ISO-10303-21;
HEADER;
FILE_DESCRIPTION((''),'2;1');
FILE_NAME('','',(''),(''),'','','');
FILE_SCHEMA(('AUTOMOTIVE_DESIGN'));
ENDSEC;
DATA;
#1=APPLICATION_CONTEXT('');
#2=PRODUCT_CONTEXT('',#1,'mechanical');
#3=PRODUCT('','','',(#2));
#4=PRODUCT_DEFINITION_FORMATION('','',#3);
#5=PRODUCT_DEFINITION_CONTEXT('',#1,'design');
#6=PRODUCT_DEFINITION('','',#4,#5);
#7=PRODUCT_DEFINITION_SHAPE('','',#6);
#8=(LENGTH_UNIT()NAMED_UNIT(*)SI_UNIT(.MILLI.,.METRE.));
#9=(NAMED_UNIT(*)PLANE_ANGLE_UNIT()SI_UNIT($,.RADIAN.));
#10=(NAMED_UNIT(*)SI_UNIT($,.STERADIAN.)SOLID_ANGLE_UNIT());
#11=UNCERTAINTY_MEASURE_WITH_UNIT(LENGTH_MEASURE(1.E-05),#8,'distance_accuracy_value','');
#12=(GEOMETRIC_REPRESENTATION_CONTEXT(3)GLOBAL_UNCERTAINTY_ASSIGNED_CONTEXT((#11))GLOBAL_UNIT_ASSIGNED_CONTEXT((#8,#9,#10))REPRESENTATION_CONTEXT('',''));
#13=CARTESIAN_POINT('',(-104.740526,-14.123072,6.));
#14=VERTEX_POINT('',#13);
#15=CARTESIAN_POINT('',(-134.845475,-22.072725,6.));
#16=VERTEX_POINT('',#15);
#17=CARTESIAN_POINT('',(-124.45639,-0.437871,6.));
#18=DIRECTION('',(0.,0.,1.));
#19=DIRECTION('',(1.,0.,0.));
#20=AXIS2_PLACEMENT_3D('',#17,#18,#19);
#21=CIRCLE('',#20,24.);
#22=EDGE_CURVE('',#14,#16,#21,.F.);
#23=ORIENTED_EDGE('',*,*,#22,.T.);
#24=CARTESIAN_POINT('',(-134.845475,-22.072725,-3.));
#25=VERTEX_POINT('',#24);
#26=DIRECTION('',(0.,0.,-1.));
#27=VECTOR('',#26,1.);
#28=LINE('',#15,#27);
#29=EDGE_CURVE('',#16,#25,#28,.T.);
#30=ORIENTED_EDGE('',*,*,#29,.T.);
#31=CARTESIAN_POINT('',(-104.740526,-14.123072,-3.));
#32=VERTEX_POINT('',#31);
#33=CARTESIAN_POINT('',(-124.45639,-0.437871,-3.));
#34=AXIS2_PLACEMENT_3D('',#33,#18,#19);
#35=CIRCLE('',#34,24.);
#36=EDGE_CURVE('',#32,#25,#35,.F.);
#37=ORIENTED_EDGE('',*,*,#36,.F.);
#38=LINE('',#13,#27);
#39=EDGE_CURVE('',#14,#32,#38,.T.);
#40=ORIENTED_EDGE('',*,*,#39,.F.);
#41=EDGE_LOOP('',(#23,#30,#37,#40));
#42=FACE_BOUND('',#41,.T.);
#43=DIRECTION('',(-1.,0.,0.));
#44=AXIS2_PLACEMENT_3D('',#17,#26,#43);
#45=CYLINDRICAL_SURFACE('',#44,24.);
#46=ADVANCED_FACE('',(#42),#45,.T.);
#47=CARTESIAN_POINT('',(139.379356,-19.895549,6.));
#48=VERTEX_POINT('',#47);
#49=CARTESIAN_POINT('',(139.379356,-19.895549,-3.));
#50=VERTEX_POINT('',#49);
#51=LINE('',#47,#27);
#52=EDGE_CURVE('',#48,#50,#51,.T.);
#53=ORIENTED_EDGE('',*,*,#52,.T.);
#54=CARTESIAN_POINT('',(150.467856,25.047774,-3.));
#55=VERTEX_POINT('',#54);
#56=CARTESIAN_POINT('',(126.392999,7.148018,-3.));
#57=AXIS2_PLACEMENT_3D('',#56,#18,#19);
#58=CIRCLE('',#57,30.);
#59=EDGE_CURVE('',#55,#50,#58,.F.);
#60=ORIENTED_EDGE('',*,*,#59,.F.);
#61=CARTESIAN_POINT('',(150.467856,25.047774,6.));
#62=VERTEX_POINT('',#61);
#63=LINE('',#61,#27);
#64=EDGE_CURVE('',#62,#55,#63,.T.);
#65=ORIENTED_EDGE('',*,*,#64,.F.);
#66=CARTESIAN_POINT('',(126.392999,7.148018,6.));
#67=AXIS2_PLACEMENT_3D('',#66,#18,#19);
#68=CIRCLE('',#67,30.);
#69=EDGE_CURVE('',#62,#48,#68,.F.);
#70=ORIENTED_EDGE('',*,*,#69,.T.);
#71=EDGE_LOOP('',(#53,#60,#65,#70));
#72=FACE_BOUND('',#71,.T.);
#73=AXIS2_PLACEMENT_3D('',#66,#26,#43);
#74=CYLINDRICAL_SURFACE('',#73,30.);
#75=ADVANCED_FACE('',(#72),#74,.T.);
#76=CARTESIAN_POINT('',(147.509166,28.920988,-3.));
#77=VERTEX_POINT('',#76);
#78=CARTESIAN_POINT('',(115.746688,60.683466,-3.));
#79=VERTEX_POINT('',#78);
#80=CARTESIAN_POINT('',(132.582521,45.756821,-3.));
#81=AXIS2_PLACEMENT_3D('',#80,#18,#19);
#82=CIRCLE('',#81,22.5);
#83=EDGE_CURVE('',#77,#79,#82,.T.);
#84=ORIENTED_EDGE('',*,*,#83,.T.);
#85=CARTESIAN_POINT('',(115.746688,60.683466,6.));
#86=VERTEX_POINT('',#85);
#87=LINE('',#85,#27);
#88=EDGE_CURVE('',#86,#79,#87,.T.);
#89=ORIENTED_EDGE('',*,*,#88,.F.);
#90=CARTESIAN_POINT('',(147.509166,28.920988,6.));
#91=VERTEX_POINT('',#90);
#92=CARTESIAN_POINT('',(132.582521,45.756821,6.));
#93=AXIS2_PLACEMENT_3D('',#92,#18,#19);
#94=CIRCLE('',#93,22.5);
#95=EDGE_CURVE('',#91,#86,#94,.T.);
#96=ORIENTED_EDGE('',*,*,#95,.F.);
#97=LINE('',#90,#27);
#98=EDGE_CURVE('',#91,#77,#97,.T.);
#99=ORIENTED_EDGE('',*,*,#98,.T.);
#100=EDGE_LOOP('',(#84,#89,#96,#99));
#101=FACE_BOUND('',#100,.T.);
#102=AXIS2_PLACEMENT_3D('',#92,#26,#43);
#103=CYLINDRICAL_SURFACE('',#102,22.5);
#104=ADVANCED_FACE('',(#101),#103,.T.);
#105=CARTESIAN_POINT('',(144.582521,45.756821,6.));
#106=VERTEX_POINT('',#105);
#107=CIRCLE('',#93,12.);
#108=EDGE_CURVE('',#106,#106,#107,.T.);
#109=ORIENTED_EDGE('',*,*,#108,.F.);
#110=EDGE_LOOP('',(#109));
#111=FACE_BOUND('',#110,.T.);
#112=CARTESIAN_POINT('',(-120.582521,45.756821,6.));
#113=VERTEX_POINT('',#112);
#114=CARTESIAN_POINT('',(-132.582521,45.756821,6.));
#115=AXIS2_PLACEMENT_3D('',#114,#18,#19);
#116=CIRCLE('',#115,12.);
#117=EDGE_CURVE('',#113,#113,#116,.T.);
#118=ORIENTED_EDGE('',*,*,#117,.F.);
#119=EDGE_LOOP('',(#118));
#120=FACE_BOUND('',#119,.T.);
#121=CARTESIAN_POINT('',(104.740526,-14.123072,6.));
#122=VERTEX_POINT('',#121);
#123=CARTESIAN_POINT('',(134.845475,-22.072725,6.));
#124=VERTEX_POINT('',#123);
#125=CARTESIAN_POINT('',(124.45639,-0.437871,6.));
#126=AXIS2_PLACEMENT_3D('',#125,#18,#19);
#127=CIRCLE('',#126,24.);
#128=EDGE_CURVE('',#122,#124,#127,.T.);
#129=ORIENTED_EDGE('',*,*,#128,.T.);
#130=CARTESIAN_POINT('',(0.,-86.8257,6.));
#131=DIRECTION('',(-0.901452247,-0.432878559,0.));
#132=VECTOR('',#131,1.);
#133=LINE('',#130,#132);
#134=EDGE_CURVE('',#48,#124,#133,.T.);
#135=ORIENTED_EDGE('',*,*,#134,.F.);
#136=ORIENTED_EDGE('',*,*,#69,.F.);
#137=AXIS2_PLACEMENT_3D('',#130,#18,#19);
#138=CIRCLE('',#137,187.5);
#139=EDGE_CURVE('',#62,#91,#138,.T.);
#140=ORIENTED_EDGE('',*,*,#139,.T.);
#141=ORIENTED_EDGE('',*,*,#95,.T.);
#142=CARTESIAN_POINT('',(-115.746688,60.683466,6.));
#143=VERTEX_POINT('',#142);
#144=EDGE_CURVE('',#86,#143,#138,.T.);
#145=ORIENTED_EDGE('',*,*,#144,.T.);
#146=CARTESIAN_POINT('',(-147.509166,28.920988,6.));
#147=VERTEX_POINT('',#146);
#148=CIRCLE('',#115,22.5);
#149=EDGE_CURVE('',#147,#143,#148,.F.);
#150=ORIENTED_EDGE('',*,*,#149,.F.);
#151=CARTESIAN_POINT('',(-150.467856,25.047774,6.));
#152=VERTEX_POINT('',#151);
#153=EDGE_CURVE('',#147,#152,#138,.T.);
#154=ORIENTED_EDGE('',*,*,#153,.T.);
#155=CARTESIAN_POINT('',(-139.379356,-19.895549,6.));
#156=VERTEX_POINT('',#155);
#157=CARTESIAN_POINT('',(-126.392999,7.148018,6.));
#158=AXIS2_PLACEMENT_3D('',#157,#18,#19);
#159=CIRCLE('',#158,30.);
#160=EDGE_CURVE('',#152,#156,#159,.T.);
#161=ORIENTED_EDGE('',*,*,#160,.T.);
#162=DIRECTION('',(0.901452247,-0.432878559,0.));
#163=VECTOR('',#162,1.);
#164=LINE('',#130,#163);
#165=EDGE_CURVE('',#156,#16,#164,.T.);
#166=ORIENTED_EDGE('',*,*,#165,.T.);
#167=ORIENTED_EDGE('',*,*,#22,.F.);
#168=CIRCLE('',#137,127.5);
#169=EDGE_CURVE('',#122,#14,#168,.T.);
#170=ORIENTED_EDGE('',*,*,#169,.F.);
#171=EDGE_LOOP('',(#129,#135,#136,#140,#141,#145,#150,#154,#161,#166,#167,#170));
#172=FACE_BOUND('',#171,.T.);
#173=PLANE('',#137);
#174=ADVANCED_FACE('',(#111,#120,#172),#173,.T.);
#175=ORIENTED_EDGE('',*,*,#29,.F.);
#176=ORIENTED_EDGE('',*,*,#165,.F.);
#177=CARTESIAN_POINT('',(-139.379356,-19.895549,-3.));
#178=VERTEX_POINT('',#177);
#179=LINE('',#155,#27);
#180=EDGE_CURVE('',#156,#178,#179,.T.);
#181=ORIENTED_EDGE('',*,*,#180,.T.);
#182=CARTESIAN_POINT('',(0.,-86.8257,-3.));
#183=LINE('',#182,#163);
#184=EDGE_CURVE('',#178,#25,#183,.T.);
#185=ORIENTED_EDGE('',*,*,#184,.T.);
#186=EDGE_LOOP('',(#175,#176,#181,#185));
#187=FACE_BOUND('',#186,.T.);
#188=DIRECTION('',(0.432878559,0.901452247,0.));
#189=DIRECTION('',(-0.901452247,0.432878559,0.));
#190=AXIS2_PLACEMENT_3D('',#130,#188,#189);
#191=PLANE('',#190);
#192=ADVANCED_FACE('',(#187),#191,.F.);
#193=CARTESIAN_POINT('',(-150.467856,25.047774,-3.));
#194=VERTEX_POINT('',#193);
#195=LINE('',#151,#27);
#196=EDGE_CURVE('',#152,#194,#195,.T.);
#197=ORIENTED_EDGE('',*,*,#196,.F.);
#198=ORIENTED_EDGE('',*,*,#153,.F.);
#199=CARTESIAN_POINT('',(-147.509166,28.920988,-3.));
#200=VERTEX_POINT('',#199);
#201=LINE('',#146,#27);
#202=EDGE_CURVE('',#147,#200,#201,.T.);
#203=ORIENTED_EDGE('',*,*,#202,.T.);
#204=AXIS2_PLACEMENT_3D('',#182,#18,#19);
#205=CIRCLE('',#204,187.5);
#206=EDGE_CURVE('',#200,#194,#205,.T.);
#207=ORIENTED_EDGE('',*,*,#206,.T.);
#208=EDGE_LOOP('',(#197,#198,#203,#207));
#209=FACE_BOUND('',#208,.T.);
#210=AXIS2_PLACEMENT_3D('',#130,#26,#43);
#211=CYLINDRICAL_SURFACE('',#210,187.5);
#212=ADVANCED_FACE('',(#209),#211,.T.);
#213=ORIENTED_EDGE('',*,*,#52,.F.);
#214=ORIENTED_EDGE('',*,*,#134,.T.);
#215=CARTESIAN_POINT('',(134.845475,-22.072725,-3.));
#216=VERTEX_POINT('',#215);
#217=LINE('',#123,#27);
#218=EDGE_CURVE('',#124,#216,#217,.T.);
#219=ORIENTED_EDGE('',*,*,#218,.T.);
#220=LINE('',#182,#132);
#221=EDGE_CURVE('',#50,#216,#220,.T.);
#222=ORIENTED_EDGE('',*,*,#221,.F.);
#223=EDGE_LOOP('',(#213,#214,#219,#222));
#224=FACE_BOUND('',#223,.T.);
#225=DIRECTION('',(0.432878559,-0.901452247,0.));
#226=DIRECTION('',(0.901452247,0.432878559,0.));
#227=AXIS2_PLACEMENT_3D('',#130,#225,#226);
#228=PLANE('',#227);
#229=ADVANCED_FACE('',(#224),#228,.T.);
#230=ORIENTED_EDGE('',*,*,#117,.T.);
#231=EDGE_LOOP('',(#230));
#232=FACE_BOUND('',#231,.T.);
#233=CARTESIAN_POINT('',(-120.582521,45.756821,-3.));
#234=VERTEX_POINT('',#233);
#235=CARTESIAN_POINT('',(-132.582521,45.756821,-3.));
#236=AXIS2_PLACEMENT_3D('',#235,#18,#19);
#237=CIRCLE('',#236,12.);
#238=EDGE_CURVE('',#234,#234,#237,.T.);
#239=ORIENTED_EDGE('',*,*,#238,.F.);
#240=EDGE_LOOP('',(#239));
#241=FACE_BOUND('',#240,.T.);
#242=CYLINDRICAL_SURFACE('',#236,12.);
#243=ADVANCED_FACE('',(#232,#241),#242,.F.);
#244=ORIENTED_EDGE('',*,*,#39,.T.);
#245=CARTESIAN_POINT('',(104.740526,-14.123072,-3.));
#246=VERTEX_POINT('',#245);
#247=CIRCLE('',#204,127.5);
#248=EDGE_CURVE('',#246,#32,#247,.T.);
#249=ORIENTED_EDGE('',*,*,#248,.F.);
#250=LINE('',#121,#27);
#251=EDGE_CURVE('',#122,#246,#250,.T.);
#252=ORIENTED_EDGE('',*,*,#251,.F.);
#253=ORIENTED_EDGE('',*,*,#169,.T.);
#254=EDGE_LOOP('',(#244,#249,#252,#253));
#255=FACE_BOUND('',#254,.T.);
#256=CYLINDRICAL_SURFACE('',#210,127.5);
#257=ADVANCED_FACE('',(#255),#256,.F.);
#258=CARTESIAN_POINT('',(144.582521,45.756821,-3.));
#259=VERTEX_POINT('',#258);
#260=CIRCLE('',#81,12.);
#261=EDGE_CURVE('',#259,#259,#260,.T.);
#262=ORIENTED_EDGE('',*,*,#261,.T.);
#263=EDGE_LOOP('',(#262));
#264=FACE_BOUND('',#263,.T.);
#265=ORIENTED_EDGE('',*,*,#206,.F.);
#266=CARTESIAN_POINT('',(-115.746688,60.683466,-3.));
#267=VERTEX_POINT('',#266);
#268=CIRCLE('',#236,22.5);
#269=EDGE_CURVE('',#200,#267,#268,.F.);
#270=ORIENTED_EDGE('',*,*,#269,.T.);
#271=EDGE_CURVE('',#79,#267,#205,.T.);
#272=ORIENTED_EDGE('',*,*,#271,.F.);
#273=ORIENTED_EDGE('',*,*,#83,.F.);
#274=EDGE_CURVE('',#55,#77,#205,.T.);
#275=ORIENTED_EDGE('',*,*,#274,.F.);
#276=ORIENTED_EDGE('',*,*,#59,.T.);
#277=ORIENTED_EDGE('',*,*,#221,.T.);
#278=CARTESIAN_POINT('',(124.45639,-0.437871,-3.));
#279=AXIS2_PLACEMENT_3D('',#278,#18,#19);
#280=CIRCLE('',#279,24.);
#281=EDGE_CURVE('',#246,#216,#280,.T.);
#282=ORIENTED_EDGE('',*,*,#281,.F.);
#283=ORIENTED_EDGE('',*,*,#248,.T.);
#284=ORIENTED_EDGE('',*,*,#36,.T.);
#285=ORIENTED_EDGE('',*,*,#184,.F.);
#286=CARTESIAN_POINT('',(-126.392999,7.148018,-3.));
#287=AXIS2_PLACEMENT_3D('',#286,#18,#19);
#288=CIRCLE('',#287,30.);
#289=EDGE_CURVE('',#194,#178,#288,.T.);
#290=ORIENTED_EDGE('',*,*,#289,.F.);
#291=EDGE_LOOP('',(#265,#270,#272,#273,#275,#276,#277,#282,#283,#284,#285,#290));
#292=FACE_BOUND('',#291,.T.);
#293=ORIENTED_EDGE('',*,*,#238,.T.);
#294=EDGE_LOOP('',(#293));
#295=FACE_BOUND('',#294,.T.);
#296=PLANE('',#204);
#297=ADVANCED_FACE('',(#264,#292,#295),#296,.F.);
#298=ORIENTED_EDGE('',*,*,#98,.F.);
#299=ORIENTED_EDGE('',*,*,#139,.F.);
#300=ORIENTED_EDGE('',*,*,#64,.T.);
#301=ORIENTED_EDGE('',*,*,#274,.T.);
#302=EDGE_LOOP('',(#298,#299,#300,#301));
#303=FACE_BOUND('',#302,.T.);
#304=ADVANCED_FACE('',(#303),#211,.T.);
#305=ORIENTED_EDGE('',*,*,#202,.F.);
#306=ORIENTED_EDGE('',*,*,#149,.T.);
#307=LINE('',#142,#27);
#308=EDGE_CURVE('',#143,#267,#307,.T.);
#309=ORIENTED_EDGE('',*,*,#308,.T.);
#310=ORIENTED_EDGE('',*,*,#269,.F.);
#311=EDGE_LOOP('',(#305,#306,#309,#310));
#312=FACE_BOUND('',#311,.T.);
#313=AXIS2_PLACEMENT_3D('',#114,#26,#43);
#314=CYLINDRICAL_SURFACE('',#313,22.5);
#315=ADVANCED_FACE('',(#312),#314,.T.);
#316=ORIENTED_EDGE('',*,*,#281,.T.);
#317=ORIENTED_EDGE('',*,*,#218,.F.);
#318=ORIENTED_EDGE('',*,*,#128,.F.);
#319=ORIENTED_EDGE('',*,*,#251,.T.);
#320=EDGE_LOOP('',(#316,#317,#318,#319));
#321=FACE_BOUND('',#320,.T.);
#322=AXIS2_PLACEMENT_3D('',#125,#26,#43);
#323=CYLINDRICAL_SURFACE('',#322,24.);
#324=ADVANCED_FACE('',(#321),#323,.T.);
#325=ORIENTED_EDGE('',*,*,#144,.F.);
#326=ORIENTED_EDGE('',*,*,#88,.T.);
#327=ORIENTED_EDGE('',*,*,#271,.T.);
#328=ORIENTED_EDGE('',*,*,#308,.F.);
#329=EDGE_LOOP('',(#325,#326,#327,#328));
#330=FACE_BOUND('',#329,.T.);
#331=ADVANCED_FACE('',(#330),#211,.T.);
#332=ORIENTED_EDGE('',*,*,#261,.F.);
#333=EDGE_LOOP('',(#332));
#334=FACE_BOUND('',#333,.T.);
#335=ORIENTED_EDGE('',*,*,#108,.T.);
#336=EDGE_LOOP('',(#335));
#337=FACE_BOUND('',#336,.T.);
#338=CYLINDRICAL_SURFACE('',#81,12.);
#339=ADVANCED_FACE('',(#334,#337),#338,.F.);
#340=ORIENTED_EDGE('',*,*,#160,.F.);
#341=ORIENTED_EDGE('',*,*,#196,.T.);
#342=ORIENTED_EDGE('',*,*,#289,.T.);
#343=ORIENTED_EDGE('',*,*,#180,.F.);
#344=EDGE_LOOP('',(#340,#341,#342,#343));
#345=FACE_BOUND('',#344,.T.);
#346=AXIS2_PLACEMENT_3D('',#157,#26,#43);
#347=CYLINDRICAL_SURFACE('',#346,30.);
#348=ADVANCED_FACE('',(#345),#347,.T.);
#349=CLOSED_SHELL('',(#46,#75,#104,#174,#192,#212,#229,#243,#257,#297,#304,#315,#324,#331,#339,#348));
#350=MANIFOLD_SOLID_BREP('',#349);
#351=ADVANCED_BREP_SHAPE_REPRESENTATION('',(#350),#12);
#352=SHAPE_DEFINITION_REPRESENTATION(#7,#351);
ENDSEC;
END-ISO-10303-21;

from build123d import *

# Parameters (mm, degrees)
BOSS_EXTRUDE1_DEPTH = 3
SKETCH2_R           = 4
CUT_EXTRUDE1_DEPTH  = 3
SCALE1_SCALE        = 3


with BuildPart() as part:
    # Sketch1 → Boss-Extrude1 (new body)
    with BuildSketch(Plane.XY):
        with BuildLine():
            ThreePointArc((-34.913508692, 24.234209515), (-19.70147324, 37.657694462), (0, 42.5))
            Line((0, 42.5), (0, 62.5))
            ThreePointArc((0, 62.5), (-20.410075573, 59.073503494), (-38.582229462, 49.169722083))
            ThreePointArc((-38.582229462, 49.169722083), (-44.194173824, 44.194173824), (-49.169722083, 38.582229462))
            ThreePointArc((-49.169722083, 38.582229462), (-49.667032373, 37.939898462), (-50.155952108, 37.291158043))
            ThreePointArc((-50.155952108, 37.291158043), (-51.839867242, 28.929182932), (-46.459785364, 22.31005029))
            Line((-46.459785364, 22.31005029), (-44.948491744, 21.584325098))
            ThreePointArc((-44.948491744, 21.584325098), (-39.442958133, 21.061075731), (-34.913508692, 24.234209515))
        make_face()
        with BuildLine():
            ThreePointArc((0, 42.5), (16.264045876, 39.264880132), (30.0520382, 30.0520382))
            Line((30.0520382, 30.0520382), (44.194173824, 44.194173824))
            ThreePointArc((44.194173824, 44.194173824), (41.462902158, 46.766203017), (38.582229462, 49.169722083))
            ThreePointArc((38.582229462, 49.169722083), (20.410075573, 59.073503494), (0, 62.5))
            Line((0, 62.5), (0, 42.5))
        make_face()
        with BuildLine():
            Line((44.194173824, 44.194173824), (30.0520382, 30.0520382))
            ThreePointArc((30.0520382, 30.0520382), (32.612763658, 27.251745753), (34.913508692, 24.234209515))
            ThreePointArc((34.913508692, 24.234209515), (39.442958133, 21.061075731), (44.948491744, 21.584325098))
            Line((44.948491744, 21.584325098), (46.459785364, 22.31005029))
            ThreePointArc((46.459785364, 22.31005029), (51.839867242, 28.929182932), (50.155952108, 37.291158043))
            ThreePointArc((50.155952108, 37.291158043), (49.667032373, 37.939898462), (49.169722083, 38.582229462))
            ThreePointArc((49.169722083, 38.582229462), (46.766203017, 41.462902158), (44.194173824, 44.194173824))
        make_face()
        with BuildLine():
            ThreePointArc((38.582229462, 49.169722083), (41.462902158, 46.766203017), (44.194173824, 44.194173824))
            ThreePointArc((44.194173824, 44.194173824), (46.766203017, 41.462902158), (49.169722083, 38.582229462))
            ThreePointArc((49.169722083, 38.582229462), (49.497474683, 49.497474683), (38.582229462, 49.169722083))
        make_face()
        with BuildLine():
            ThreePointArc((-49.169722083, 38.582229462), (-44.194173824, 44.194173824), (-38.582229462, 49.169722083))
            ThreePointArc((-38.582229462, 49.169722083), (-49.497474683, 49.497474683), (-49.169722083, 38.582229462))
        make_face()
    extrude(amount=BOSS_EXTRUDE1_DEPTH)

    # Sketch2 → Cut-Extrude1 (cut)
    with BuildSketch(Plane.XY.offset(3)):
        with Locations((-44.194173824, 44.194173824)):
            Circle(SKETCH2_R)
        with Locations((44.194173824, 44.194173824)):
            Circle(SKETCH2_R)
    extrude(amount=-CUT_EXTRUDE1_DEPTH, mode=Mode.SUBTRACT)


with BuildPart() as part_1:
    # Scale1: scaled about (0, 43.412850072, 1.5)
    add(part.part.scale(SCALE1_SCALE).moved(Location((0, -86.825700144, -3))))


solid = part_1.part
